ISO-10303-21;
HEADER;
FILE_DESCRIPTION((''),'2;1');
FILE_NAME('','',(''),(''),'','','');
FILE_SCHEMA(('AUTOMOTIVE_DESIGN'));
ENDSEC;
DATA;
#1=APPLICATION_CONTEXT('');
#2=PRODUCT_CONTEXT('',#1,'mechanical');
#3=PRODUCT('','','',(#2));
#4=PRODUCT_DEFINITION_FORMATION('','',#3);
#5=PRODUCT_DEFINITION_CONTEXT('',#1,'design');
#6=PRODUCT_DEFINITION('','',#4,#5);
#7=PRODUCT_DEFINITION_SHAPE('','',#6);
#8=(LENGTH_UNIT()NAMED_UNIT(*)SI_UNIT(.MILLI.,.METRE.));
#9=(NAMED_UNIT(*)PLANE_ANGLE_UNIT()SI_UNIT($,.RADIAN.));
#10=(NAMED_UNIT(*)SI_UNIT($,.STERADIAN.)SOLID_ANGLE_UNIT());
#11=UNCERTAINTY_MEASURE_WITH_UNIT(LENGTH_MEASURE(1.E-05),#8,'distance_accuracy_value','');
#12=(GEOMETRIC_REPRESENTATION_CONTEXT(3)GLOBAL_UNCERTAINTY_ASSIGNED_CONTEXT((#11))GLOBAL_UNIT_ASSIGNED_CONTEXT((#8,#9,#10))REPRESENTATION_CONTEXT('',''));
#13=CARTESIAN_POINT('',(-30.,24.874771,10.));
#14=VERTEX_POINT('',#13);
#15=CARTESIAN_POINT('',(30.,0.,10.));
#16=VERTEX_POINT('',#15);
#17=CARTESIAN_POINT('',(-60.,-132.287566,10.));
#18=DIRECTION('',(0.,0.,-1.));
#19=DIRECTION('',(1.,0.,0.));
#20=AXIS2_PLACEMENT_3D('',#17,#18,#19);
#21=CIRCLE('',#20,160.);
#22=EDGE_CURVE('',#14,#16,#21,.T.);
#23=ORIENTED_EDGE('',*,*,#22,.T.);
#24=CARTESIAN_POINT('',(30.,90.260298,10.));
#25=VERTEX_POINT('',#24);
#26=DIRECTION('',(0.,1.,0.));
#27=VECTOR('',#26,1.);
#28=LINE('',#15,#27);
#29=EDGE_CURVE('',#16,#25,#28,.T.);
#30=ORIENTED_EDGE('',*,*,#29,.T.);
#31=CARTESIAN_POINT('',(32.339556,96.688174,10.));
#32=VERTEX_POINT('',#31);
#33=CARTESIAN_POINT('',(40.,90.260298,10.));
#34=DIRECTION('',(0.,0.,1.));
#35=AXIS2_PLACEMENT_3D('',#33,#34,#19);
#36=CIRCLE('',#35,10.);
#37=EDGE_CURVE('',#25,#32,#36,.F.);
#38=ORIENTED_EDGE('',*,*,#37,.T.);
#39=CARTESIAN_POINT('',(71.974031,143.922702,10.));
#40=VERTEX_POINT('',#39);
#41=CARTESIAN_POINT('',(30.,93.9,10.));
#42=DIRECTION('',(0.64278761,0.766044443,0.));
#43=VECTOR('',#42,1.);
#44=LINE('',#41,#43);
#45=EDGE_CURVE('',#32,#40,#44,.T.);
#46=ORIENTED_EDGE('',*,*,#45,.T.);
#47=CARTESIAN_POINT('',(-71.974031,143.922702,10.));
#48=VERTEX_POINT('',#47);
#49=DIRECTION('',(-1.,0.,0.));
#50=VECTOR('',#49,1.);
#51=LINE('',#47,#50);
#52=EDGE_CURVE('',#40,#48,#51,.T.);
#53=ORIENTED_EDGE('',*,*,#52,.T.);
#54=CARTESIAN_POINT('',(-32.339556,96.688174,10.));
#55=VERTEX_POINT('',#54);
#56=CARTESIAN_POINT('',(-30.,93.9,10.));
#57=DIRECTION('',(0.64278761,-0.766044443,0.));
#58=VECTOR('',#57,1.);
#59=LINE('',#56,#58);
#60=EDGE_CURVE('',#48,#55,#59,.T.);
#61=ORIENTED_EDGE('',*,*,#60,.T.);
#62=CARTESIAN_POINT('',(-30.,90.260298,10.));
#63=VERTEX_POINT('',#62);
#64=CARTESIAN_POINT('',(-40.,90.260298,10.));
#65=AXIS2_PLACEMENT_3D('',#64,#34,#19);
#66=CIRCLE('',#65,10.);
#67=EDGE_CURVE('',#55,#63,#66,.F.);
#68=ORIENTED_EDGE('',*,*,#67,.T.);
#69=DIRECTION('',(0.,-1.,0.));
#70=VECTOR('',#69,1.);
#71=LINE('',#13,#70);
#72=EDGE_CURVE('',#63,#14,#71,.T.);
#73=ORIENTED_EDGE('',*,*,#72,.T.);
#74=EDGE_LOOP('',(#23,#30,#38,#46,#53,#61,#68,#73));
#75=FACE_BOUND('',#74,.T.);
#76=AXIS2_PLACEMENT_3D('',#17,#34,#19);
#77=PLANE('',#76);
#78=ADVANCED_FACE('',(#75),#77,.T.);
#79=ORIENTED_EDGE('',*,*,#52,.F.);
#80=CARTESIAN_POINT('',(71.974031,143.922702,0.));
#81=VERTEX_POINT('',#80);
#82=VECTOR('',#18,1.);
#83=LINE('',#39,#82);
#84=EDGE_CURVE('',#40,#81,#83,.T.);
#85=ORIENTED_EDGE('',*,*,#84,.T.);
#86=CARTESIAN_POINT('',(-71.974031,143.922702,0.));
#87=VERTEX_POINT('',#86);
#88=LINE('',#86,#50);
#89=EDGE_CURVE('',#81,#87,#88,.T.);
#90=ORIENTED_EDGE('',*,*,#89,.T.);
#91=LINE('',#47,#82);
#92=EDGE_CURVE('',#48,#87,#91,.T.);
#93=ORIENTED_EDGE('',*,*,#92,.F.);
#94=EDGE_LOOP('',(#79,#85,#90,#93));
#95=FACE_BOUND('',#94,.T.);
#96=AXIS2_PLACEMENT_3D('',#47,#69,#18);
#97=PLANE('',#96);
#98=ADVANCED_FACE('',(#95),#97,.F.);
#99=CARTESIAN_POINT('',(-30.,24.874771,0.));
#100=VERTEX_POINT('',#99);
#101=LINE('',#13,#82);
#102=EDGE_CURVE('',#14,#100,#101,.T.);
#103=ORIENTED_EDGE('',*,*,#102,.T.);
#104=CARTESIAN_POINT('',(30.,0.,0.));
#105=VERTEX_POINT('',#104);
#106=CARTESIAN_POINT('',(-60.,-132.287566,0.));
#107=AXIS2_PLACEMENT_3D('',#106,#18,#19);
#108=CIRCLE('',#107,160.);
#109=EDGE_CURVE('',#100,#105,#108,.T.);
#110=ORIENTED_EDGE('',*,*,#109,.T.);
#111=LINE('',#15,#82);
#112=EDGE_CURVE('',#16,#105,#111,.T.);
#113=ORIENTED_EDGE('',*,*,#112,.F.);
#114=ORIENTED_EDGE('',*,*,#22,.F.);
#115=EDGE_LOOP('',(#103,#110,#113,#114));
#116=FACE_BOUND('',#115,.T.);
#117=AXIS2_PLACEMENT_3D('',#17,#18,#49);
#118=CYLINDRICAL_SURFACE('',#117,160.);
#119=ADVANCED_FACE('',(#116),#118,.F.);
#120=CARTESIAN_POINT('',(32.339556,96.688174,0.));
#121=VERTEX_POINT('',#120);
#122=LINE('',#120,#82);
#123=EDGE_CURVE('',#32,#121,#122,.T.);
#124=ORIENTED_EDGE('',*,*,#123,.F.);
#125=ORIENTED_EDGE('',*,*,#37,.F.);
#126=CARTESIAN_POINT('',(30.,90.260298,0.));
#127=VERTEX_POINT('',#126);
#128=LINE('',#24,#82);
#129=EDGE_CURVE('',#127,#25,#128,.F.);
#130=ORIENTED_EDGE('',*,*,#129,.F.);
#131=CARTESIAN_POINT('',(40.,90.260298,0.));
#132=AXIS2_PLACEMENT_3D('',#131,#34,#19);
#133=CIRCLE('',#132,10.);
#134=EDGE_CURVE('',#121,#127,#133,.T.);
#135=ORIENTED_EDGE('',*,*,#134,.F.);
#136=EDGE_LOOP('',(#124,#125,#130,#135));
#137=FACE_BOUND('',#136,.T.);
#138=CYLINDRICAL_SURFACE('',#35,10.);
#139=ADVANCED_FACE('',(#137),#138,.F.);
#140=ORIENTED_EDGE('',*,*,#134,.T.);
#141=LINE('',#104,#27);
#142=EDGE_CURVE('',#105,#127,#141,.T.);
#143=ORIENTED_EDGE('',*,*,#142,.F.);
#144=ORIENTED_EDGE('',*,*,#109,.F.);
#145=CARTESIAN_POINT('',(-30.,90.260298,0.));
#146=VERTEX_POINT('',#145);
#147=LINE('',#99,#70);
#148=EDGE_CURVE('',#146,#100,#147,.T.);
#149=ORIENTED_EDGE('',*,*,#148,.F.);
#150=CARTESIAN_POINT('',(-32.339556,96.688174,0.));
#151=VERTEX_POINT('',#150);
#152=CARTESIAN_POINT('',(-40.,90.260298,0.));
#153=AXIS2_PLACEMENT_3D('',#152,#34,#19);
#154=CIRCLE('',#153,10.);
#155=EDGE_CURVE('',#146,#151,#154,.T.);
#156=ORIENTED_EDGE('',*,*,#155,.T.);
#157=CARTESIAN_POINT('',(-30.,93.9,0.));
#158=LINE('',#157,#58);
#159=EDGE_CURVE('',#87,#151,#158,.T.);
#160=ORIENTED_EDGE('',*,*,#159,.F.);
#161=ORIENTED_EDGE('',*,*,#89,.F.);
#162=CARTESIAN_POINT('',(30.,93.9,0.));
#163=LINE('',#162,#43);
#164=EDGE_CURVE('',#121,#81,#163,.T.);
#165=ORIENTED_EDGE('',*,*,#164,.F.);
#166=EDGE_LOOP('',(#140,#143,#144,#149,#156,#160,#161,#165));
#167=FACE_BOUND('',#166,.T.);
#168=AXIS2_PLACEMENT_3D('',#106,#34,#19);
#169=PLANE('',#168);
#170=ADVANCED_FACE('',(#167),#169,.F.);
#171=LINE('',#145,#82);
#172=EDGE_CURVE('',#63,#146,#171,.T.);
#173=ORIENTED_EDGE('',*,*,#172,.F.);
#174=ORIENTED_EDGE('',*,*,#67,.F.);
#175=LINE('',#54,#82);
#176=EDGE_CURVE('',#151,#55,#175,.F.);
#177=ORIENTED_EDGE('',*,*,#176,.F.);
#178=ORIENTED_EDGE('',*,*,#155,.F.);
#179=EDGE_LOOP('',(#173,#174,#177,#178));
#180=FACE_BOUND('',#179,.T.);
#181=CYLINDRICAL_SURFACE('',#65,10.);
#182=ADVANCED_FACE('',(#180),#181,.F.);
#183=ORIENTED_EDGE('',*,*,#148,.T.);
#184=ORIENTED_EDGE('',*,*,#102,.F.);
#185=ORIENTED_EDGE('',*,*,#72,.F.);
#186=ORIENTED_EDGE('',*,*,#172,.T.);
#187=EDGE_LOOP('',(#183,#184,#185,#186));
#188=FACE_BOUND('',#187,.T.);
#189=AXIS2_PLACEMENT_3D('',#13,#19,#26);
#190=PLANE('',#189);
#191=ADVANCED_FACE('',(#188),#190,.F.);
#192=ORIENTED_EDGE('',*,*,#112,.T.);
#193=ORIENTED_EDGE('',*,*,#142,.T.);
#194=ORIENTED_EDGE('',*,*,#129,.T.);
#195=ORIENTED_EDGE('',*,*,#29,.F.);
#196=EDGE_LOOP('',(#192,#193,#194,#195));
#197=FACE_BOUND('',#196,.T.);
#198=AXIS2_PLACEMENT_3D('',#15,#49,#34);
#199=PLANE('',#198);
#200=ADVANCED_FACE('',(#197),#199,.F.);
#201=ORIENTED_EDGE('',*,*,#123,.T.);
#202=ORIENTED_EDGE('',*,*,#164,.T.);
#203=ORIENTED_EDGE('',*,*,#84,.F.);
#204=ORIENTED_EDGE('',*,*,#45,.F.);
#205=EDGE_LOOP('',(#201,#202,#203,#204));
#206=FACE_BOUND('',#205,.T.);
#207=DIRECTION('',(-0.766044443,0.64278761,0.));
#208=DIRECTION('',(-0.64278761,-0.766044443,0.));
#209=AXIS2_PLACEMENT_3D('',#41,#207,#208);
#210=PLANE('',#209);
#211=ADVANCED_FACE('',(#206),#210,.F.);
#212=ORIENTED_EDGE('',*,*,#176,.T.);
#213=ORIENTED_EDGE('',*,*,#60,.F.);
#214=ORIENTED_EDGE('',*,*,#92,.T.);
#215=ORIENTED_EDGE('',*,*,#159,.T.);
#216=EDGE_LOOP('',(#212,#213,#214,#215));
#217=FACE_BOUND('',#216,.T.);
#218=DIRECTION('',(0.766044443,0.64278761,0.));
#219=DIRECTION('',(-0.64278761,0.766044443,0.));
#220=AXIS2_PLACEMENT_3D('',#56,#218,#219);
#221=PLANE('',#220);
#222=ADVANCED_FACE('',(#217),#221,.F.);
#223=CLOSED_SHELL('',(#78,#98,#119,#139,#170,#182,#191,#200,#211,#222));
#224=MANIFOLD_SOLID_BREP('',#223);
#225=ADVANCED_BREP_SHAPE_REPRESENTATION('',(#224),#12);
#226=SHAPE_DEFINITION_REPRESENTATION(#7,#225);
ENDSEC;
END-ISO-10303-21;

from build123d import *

# Parameters (mm, degrees)
FUNNEL_SIDE_PANEL_DEPTH = 10
FILLET1_R               = 10


with BuildPart() as part:
    # Sketch1 → Funnel - Side Panel (new body)
    with BuildSketch(Plane.XY):
        with BuildLine():
            Line((30, 0), (30, 93.9))
            Line((30, 93.9), (71.974030913, 143.922702136))
            Line((71.974030913, 143.922702136), (-71.974030913, 143.922702136))
            Line((-71.974030913, 143.922702136), (-30, 93.9))
            Line((-30, 93.9), (-30, 24.874770902))
            ThreePointArc((-30, 24.874770902), (1.275513518, 15.514029307), (30, 0))
        make_face()
    extrude(amount=FUNNEL_SIDE_PANEL_DEPTH)

    # Fillet1
    fillet1_edges = [part.edges().sort_by_distance(p)[0] for p in [
        (-30, 93.9, 5),
        (30, 93.9, 5),
    ]]
    fillet(fillet1_edges, radius=FILLET1_R)


solid = part.part
